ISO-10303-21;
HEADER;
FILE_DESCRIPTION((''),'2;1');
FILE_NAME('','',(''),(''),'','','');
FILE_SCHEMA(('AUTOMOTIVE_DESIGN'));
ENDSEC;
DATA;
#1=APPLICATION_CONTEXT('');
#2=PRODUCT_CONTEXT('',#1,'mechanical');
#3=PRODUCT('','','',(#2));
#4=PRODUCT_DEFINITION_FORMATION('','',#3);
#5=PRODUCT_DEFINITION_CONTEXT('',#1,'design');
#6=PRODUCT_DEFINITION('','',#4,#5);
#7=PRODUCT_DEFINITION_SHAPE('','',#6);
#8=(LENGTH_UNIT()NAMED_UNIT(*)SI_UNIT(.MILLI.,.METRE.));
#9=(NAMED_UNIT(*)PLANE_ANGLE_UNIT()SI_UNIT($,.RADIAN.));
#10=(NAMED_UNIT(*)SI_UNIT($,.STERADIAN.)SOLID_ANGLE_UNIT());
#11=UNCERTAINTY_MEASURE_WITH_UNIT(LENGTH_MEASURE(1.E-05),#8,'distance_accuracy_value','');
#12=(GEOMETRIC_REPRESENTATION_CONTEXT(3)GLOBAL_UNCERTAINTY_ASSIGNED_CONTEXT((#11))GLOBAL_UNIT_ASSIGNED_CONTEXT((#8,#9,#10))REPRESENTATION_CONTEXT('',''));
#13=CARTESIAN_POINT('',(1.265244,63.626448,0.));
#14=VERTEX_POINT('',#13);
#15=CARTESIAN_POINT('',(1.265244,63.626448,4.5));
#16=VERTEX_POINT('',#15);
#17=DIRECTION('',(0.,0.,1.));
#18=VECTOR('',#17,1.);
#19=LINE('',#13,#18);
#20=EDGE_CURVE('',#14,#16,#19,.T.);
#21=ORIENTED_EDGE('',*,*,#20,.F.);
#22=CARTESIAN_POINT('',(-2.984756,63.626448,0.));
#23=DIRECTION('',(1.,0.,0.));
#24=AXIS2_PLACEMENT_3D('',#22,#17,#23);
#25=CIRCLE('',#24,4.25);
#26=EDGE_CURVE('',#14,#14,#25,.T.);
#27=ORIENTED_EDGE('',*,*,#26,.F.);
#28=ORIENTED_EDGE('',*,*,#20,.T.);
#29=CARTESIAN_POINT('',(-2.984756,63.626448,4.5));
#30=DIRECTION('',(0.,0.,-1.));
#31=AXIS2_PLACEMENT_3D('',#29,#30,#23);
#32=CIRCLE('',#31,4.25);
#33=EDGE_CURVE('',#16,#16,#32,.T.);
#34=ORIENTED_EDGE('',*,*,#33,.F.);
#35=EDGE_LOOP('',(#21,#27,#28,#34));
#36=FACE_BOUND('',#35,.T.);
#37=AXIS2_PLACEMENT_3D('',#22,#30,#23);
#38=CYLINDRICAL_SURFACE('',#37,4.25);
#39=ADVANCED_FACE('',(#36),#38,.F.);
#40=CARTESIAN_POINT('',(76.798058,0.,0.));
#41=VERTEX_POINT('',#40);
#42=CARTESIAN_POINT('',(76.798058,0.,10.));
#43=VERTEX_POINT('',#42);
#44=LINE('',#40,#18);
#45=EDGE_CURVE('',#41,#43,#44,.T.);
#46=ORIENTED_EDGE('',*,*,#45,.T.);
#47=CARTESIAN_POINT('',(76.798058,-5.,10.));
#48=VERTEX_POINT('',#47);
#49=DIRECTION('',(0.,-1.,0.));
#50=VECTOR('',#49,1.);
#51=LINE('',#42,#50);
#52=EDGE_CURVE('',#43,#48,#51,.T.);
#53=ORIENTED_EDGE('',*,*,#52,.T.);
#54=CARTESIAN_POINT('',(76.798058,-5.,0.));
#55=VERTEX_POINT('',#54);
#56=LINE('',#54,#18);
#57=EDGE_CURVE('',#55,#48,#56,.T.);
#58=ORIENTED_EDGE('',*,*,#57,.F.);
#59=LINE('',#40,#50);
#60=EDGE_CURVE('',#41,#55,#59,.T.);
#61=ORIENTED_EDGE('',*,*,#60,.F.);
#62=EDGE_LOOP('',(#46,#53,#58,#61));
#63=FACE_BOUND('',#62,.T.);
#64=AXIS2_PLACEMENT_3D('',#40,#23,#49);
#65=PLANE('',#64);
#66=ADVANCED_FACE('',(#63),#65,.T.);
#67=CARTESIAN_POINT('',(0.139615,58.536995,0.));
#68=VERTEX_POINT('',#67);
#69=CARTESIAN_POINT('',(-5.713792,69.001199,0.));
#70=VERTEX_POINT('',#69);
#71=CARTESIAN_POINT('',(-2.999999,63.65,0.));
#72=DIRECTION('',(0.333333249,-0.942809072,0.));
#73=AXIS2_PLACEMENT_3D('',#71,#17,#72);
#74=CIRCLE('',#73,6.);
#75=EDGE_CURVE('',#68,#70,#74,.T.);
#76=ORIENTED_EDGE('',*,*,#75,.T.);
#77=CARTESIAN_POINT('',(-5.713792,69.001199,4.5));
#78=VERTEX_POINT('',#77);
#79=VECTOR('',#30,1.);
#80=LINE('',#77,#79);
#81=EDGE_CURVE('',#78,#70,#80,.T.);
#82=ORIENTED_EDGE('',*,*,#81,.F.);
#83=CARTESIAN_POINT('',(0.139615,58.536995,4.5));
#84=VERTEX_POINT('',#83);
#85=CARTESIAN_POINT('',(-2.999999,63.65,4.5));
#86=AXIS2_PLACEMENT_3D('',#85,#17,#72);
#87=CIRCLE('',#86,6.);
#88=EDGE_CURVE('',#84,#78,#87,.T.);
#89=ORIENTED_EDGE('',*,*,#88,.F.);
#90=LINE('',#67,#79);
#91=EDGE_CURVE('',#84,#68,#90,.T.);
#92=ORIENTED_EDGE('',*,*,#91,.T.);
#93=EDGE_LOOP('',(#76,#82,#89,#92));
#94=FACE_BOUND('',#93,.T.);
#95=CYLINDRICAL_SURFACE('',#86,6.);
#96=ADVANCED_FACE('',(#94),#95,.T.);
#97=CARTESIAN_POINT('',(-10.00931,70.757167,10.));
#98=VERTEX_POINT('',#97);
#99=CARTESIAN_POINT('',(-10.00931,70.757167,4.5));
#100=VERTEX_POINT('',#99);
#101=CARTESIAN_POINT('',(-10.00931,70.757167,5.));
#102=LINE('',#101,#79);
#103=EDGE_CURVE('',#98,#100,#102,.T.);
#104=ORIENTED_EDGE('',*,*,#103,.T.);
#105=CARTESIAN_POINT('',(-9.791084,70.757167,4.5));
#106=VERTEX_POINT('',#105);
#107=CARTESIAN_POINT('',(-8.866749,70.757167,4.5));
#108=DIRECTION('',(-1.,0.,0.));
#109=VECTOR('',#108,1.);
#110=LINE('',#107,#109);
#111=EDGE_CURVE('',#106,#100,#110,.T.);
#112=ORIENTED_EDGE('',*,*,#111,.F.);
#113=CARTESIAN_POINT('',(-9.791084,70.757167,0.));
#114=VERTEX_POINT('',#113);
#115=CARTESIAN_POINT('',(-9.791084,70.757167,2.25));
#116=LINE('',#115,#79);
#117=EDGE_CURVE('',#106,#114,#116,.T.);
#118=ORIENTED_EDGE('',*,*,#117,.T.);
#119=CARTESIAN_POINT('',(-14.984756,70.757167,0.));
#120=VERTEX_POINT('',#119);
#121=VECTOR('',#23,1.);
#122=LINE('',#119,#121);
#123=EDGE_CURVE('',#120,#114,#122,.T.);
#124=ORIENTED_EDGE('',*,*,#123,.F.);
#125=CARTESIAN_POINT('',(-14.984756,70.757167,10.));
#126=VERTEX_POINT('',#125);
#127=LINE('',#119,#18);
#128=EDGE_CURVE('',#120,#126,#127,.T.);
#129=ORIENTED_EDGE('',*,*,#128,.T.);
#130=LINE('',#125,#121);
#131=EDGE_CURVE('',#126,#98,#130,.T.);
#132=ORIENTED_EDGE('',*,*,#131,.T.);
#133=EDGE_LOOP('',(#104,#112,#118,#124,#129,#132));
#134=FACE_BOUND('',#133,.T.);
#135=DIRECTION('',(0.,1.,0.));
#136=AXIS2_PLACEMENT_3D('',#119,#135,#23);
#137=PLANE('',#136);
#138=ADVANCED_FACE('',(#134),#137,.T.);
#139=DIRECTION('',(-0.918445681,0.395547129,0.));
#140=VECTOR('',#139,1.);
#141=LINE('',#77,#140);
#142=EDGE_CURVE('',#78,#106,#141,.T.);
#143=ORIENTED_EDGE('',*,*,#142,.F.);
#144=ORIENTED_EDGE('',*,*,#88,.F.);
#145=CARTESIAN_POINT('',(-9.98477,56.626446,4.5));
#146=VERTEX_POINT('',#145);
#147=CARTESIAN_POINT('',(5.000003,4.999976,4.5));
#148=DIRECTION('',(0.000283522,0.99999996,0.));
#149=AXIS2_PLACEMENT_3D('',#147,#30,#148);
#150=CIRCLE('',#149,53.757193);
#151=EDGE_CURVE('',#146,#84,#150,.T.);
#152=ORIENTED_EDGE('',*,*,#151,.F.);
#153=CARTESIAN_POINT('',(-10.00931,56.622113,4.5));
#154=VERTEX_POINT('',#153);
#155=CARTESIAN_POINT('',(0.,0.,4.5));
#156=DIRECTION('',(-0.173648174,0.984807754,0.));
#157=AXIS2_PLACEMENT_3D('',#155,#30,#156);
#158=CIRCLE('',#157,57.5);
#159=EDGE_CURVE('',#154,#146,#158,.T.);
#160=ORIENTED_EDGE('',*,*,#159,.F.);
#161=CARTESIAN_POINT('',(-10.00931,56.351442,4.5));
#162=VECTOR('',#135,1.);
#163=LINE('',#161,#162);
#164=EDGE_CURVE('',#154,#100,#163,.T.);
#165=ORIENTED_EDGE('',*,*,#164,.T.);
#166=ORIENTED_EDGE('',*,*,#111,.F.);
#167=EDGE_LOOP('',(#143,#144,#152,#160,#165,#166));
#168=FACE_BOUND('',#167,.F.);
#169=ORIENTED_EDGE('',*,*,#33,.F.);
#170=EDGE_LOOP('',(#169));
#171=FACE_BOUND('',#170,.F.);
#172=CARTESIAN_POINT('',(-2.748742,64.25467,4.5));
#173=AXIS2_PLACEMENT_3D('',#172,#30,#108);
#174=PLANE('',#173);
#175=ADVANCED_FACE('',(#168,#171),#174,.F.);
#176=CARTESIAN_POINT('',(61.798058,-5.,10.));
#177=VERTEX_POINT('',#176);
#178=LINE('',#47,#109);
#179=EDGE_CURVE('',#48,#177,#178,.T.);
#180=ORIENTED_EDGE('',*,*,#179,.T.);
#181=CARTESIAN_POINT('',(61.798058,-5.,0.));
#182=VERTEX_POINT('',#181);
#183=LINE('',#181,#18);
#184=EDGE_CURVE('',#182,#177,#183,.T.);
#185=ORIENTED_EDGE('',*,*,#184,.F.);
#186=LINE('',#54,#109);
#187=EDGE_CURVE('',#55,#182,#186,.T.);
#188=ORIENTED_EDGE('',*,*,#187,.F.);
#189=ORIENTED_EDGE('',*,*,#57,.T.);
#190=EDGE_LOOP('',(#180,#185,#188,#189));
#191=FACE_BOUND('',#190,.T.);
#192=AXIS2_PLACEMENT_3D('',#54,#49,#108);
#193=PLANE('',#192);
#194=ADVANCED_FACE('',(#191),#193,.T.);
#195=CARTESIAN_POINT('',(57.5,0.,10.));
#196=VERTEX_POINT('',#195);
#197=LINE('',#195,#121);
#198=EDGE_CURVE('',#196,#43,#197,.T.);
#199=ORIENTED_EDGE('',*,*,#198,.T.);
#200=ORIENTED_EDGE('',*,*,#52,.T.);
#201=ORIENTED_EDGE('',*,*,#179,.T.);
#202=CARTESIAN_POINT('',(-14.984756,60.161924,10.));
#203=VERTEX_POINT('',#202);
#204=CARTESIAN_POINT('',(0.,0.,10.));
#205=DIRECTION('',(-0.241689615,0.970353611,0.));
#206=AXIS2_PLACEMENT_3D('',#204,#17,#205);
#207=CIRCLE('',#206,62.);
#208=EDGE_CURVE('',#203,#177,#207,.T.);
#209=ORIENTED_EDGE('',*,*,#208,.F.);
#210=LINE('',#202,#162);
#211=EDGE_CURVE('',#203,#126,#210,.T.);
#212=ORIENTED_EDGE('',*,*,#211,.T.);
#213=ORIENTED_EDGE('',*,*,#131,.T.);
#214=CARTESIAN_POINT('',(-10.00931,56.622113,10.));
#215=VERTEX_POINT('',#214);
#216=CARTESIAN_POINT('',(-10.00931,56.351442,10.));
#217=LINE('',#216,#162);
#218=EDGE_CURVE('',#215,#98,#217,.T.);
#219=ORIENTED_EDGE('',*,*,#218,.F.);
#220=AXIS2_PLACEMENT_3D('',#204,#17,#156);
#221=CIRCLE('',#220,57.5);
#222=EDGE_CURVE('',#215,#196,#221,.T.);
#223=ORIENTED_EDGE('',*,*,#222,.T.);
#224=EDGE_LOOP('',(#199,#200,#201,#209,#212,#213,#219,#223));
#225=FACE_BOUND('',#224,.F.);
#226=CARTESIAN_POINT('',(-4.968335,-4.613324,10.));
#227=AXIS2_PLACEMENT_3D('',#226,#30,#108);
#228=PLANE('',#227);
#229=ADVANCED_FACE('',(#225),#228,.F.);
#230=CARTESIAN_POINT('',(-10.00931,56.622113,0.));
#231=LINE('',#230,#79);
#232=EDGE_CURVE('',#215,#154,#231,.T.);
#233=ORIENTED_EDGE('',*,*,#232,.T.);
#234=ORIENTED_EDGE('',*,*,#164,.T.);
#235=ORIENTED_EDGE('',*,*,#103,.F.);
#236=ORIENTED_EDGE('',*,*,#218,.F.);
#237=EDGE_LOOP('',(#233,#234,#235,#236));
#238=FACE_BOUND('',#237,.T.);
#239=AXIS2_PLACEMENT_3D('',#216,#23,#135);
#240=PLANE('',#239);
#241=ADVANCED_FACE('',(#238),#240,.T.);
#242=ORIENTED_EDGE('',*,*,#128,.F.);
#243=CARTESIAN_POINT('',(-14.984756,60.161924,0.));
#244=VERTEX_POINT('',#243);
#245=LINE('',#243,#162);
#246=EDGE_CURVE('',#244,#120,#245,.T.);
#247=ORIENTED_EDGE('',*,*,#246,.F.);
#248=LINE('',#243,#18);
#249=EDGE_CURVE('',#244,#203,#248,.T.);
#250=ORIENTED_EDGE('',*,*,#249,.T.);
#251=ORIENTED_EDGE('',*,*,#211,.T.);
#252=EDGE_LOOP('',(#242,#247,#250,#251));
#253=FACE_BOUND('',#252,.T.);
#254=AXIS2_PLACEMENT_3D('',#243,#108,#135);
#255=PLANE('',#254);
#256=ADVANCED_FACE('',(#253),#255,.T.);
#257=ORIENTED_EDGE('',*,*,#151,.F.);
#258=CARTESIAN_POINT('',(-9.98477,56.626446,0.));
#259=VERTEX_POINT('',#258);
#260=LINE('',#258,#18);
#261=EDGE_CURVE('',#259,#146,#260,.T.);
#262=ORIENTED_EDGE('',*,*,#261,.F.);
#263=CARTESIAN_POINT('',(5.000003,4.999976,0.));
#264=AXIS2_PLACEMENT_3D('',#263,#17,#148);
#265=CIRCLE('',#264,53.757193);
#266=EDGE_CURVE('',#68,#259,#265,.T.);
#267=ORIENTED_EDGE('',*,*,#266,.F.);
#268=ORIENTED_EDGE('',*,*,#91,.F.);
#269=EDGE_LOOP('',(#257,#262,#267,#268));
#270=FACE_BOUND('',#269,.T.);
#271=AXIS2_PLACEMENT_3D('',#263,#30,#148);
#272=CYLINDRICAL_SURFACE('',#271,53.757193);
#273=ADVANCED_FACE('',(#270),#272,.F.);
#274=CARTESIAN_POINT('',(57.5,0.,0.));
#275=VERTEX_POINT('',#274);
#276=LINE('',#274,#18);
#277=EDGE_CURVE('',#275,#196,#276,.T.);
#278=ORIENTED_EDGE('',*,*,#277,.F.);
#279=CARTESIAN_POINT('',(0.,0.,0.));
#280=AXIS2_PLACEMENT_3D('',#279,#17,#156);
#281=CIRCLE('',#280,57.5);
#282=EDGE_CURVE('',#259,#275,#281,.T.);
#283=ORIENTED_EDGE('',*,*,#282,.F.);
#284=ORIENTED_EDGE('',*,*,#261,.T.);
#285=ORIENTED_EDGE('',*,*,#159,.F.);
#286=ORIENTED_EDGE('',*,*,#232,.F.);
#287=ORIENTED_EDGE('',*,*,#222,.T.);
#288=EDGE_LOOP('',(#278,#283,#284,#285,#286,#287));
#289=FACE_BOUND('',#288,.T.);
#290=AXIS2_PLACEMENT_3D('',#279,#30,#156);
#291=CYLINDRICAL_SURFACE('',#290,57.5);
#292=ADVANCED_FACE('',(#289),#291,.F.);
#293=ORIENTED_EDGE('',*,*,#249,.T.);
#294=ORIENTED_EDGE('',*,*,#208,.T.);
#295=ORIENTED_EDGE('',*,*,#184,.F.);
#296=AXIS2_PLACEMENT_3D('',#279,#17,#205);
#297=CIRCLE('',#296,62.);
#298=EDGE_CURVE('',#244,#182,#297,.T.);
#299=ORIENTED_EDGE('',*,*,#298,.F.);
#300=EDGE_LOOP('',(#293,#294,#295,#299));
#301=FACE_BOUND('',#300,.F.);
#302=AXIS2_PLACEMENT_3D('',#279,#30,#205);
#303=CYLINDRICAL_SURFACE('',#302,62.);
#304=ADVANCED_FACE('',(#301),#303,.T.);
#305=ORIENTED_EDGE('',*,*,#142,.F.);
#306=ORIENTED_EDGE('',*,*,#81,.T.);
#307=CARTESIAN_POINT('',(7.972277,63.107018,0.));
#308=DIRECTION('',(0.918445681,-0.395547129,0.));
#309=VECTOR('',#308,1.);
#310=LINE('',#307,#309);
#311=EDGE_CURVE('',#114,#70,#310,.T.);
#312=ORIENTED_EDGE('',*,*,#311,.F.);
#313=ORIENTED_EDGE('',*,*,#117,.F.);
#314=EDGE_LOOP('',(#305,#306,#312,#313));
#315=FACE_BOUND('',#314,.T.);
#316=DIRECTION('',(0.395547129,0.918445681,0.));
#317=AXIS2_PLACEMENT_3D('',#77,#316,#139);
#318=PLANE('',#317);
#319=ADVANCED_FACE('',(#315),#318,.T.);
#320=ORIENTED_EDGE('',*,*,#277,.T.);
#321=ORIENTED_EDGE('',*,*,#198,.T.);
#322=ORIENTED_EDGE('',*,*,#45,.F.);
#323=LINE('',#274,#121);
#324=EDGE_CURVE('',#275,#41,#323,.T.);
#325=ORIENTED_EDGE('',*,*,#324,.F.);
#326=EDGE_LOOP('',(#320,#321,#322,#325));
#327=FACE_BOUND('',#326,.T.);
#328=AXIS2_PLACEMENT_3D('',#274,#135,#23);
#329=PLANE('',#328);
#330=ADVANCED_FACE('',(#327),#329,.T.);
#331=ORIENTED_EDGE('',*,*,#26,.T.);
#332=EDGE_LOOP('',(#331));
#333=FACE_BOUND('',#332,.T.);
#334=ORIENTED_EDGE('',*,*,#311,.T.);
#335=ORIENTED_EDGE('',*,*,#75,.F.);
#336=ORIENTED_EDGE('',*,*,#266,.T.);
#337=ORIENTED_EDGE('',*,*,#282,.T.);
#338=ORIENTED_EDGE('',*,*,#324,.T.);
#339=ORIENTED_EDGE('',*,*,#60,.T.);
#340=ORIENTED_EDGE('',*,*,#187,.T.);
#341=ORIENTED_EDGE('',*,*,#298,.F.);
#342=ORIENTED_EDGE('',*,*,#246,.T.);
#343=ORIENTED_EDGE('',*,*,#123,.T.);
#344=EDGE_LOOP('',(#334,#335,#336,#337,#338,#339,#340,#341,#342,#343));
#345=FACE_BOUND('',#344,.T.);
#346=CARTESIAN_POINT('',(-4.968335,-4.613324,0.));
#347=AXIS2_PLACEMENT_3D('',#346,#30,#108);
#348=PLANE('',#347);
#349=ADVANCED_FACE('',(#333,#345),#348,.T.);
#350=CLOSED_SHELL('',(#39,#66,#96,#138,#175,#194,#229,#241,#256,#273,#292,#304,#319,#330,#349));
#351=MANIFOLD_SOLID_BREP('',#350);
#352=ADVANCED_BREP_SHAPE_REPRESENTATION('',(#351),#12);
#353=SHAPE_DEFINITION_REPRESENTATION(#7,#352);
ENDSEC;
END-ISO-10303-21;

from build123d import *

# Parameters (mm, degrees)
SKETCH_R        = 4.25
PAD_DEPTH       = 10
POCKET_DEPTH    = 5.5
POCKET001_DEPTH = 5


with BuildPart() as part:
    # Sketch → Pad (new body)
    with BuildSketch(Plane.XY):
        with BuildLine():
            ThreePointArc((-9.98477, 56.626446), (-36.960288, -44.047555), (57.5, 0))
            Line((57.5, 0), (76.798058, 0))
            Line((76.798058, 0), (76.798058, -5))
            Line((76.798058, -5), (61.798058, -5))
            ThreePointArc((-14.984756, 60.161924), (-40.117208, -47.271657), (61.798058, -5))
            Line((-14.984756, 60.161924), (-14.984756, 70.757167))
            Line((-14.984756, 70.757167), (5.015244, 70.757167))
            Line((5.015244, 70.757167), (5.015244, 58.757167))
            ThreePointArc((5.015244, 58.757167), (-2.560203, 58.222895), (-9.98477, 56.626446))
        make_face()
        with Locations((-2.984756, 63.626448)):
            Circle(SKETCH_R, mode=Mode.SUBTRACT)
    extrude(amount=PAD_DEPTH)

    # Sketch001 (on Face12 of Pad) → Pocket (cut)
    with BuildSketch(Plane.XY.offset(10)):
        with BuildLine():
            ThreePointArc((5.1, 58.499907), (-2.531657, 57.967199), (-10.00931, 56.351442))
            Line((-10.00931, 56.351442), (-10.00931, 70.999907))
            Line((-10.00931, 70.999907), (5.1, 70.999907))
            Line((5.1, 70.999907), (5.1, 58.499907))
        make_face()
    extrude(amount=-POCKET_DEPTH, mode=Mode.SUBTRACT)

    # Sketch002 (on Face6 of Pocket) → Pocket001 (cut)
    with BuildSketch(Plane.XY.offset(4.5)):
        with BuildLine():
            ThreePointArc((-1, 57.993146), (2.515586, 66.011846), (-5.713792, 69.001199))
            Line((-5.713792, 69.001199), (-11.5, 71.493146))
            Line((-11.5, 71.493146), (6, 71.493146))
            Line((6, 71.493146), (6, 57.993146))
            Line((6, 57.993146), (-1, 57.993146))
        make_face()
    extrude(amount=-POCKET001_DEPTH, mode=Mode.SUBTRACT)


solid = part.part
